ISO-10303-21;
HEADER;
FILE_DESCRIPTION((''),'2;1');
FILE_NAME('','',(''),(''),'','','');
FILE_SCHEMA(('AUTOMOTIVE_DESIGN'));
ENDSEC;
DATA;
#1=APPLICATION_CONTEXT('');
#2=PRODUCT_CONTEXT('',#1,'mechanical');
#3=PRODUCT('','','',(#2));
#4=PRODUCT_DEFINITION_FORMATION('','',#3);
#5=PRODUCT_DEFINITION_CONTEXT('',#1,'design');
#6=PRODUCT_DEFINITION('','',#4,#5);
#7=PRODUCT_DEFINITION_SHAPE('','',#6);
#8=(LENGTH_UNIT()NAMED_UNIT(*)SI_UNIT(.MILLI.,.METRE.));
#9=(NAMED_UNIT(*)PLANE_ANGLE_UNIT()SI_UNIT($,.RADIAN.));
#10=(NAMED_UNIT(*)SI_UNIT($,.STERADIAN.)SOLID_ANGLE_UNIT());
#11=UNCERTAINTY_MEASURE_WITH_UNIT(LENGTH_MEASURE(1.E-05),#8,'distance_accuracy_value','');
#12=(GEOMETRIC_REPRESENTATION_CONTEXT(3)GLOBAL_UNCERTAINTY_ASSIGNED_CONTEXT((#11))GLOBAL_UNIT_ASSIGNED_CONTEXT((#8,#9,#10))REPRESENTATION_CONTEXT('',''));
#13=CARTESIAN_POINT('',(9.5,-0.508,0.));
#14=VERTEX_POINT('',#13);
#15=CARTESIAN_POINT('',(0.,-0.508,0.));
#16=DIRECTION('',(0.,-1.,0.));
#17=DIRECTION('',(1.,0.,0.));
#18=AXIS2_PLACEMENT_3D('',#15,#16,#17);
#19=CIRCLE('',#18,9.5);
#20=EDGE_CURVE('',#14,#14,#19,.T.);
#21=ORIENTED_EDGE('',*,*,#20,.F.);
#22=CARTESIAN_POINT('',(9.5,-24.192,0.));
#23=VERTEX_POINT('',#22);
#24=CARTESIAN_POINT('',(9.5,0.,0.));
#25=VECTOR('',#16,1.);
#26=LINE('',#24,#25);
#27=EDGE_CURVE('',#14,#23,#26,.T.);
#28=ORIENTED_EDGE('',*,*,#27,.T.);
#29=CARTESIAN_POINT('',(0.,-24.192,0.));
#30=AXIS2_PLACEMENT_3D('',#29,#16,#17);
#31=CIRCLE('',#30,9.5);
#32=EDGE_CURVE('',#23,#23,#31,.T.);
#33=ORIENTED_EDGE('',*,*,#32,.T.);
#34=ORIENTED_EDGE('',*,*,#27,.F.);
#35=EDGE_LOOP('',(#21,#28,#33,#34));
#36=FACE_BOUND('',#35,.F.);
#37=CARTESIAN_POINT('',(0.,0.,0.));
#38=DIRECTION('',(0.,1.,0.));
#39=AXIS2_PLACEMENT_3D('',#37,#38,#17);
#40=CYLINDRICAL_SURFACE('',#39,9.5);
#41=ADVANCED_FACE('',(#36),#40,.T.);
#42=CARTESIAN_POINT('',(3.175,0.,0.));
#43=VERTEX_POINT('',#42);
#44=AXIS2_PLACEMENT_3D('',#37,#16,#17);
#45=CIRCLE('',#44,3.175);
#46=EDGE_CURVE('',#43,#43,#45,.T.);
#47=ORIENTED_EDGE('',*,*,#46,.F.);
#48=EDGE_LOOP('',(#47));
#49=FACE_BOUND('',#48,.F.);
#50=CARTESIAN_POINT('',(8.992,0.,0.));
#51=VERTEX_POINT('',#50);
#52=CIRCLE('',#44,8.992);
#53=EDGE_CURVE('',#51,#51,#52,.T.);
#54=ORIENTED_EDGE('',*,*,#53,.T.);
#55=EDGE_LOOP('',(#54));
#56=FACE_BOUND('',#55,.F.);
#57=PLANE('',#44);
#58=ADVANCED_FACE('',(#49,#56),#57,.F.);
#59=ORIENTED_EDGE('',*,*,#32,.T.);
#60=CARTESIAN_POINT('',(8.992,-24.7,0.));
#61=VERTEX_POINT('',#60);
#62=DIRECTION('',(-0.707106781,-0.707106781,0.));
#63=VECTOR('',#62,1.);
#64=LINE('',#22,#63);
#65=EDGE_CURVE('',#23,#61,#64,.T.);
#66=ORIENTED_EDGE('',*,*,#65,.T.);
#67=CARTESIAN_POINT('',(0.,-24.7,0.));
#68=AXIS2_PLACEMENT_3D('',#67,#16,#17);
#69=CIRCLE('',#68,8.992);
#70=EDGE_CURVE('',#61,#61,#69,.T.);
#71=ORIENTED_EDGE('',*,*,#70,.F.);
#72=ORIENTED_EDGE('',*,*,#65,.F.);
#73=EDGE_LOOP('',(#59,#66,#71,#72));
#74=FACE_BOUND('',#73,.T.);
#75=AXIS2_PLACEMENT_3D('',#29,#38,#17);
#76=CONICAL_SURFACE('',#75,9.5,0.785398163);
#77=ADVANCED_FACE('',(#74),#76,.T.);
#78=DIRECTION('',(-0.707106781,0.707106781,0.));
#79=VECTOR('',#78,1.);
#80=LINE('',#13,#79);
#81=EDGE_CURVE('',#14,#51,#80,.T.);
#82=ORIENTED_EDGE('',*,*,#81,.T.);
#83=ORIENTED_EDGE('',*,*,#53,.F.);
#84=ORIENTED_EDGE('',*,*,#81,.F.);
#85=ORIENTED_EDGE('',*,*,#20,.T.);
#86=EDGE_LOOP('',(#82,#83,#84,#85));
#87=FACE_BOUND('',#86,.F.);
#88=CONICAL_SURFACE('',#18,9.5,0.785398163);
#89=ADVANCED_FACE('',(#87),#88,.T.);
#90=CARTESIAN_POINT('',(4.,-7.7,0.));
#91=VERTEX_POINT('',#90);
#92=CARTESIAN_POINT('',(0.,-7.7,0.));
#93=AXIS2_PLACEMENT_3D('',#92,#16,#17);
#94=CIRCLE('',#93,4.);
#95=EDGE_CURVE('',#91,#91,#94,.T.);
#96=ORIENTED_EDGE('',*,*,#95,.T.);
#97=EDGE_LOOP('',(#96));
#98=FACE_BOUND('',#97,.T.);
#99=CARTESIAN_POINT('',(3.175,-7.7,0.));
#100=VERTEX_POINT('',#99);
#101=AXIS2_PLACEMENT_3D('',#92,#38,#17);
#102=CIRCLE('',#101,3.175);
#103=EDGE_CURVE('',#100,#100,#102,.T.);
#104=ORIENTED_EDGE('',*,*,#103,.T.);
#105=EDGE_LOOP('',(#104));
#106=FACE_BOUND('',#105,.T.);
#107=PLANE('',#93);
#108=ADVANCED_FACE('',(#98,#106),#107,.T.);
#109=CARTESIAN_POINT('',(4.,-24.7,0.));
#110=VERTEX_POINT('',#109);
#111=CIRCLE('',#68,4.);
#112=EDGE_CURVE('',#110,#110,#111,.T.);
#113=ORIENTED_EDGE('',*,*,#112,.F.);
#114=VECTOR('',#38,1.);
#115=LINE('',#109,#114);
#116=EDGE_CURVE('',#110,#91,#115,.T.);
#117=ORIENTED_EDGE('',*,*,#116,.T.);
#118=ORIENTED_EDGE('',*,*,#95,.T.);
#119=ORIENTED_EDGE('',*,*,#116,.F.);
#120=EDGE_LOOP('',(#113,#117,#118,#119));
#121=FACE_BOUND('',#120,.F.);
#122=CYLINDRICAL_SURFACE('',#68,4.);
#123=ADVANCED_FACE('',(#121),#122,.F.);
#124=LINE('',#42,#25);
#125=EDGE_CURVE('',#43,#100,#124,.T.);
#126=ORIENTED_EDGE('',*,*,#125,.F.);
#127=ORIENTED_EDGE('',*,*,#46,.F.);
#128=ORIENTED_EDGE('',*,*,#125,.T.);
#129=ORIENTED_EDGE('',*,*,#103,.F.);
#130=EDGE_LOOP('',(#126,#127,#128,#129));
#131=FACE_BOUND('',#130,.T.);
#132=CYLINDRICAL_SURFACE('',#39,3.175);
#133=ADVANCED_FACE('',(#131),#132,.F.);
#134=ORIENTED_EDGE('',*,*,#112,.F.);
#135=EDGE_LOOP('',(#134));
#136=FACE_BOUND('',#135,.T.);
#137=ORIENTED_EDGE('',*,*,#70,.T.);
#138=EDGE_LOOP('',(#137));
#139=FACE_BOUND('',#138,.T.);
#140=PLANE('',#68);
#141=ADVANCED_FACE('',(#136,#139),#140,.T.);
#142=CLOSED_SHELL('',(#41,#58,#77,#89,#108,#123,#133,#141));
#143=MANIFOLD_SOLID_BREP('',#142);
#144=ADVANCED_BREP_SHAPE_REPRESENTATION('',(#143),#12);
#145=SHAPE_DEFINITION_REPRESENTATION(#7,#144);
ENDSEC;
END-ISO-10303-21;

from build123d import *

# Parameters (mm, degrees)
F0_R     = 9.5
F0_R_2   = 3.175
F1_DEPTH = 24.7
F2_R     = 4
F3_DEPTH = 17
F4_SIZE  = 0.508


with BuildPart() as f1:
    # F0 (on Front) → F1 (new body)
    with BuildSketch(Plane.XZ):
        Circle(F0_R)
        Circle(F0_R_2, mode=Mode.SUBTRACT)
    extrude(amount=F1_DEPTH)

    # F2 (on face) → F3 (cut)
    with BuildSketch(Plane.XZ.offset(24.7)):
        Circle(F2_R)
    extrude(amount=-F3_DEPTH, mode=Mode.SUBTRACT)

    # F4
    f4_edges = [f1.edges().sort_by_distance(p)[0] for p in [
        (9.5, -12.35, 0),
        (-9.5, 0, 0),
        (-9.5, -24.7, 0),
    ]]
    chamfer(f4_edges, length=F4_SIZE)


solid = f1.part
